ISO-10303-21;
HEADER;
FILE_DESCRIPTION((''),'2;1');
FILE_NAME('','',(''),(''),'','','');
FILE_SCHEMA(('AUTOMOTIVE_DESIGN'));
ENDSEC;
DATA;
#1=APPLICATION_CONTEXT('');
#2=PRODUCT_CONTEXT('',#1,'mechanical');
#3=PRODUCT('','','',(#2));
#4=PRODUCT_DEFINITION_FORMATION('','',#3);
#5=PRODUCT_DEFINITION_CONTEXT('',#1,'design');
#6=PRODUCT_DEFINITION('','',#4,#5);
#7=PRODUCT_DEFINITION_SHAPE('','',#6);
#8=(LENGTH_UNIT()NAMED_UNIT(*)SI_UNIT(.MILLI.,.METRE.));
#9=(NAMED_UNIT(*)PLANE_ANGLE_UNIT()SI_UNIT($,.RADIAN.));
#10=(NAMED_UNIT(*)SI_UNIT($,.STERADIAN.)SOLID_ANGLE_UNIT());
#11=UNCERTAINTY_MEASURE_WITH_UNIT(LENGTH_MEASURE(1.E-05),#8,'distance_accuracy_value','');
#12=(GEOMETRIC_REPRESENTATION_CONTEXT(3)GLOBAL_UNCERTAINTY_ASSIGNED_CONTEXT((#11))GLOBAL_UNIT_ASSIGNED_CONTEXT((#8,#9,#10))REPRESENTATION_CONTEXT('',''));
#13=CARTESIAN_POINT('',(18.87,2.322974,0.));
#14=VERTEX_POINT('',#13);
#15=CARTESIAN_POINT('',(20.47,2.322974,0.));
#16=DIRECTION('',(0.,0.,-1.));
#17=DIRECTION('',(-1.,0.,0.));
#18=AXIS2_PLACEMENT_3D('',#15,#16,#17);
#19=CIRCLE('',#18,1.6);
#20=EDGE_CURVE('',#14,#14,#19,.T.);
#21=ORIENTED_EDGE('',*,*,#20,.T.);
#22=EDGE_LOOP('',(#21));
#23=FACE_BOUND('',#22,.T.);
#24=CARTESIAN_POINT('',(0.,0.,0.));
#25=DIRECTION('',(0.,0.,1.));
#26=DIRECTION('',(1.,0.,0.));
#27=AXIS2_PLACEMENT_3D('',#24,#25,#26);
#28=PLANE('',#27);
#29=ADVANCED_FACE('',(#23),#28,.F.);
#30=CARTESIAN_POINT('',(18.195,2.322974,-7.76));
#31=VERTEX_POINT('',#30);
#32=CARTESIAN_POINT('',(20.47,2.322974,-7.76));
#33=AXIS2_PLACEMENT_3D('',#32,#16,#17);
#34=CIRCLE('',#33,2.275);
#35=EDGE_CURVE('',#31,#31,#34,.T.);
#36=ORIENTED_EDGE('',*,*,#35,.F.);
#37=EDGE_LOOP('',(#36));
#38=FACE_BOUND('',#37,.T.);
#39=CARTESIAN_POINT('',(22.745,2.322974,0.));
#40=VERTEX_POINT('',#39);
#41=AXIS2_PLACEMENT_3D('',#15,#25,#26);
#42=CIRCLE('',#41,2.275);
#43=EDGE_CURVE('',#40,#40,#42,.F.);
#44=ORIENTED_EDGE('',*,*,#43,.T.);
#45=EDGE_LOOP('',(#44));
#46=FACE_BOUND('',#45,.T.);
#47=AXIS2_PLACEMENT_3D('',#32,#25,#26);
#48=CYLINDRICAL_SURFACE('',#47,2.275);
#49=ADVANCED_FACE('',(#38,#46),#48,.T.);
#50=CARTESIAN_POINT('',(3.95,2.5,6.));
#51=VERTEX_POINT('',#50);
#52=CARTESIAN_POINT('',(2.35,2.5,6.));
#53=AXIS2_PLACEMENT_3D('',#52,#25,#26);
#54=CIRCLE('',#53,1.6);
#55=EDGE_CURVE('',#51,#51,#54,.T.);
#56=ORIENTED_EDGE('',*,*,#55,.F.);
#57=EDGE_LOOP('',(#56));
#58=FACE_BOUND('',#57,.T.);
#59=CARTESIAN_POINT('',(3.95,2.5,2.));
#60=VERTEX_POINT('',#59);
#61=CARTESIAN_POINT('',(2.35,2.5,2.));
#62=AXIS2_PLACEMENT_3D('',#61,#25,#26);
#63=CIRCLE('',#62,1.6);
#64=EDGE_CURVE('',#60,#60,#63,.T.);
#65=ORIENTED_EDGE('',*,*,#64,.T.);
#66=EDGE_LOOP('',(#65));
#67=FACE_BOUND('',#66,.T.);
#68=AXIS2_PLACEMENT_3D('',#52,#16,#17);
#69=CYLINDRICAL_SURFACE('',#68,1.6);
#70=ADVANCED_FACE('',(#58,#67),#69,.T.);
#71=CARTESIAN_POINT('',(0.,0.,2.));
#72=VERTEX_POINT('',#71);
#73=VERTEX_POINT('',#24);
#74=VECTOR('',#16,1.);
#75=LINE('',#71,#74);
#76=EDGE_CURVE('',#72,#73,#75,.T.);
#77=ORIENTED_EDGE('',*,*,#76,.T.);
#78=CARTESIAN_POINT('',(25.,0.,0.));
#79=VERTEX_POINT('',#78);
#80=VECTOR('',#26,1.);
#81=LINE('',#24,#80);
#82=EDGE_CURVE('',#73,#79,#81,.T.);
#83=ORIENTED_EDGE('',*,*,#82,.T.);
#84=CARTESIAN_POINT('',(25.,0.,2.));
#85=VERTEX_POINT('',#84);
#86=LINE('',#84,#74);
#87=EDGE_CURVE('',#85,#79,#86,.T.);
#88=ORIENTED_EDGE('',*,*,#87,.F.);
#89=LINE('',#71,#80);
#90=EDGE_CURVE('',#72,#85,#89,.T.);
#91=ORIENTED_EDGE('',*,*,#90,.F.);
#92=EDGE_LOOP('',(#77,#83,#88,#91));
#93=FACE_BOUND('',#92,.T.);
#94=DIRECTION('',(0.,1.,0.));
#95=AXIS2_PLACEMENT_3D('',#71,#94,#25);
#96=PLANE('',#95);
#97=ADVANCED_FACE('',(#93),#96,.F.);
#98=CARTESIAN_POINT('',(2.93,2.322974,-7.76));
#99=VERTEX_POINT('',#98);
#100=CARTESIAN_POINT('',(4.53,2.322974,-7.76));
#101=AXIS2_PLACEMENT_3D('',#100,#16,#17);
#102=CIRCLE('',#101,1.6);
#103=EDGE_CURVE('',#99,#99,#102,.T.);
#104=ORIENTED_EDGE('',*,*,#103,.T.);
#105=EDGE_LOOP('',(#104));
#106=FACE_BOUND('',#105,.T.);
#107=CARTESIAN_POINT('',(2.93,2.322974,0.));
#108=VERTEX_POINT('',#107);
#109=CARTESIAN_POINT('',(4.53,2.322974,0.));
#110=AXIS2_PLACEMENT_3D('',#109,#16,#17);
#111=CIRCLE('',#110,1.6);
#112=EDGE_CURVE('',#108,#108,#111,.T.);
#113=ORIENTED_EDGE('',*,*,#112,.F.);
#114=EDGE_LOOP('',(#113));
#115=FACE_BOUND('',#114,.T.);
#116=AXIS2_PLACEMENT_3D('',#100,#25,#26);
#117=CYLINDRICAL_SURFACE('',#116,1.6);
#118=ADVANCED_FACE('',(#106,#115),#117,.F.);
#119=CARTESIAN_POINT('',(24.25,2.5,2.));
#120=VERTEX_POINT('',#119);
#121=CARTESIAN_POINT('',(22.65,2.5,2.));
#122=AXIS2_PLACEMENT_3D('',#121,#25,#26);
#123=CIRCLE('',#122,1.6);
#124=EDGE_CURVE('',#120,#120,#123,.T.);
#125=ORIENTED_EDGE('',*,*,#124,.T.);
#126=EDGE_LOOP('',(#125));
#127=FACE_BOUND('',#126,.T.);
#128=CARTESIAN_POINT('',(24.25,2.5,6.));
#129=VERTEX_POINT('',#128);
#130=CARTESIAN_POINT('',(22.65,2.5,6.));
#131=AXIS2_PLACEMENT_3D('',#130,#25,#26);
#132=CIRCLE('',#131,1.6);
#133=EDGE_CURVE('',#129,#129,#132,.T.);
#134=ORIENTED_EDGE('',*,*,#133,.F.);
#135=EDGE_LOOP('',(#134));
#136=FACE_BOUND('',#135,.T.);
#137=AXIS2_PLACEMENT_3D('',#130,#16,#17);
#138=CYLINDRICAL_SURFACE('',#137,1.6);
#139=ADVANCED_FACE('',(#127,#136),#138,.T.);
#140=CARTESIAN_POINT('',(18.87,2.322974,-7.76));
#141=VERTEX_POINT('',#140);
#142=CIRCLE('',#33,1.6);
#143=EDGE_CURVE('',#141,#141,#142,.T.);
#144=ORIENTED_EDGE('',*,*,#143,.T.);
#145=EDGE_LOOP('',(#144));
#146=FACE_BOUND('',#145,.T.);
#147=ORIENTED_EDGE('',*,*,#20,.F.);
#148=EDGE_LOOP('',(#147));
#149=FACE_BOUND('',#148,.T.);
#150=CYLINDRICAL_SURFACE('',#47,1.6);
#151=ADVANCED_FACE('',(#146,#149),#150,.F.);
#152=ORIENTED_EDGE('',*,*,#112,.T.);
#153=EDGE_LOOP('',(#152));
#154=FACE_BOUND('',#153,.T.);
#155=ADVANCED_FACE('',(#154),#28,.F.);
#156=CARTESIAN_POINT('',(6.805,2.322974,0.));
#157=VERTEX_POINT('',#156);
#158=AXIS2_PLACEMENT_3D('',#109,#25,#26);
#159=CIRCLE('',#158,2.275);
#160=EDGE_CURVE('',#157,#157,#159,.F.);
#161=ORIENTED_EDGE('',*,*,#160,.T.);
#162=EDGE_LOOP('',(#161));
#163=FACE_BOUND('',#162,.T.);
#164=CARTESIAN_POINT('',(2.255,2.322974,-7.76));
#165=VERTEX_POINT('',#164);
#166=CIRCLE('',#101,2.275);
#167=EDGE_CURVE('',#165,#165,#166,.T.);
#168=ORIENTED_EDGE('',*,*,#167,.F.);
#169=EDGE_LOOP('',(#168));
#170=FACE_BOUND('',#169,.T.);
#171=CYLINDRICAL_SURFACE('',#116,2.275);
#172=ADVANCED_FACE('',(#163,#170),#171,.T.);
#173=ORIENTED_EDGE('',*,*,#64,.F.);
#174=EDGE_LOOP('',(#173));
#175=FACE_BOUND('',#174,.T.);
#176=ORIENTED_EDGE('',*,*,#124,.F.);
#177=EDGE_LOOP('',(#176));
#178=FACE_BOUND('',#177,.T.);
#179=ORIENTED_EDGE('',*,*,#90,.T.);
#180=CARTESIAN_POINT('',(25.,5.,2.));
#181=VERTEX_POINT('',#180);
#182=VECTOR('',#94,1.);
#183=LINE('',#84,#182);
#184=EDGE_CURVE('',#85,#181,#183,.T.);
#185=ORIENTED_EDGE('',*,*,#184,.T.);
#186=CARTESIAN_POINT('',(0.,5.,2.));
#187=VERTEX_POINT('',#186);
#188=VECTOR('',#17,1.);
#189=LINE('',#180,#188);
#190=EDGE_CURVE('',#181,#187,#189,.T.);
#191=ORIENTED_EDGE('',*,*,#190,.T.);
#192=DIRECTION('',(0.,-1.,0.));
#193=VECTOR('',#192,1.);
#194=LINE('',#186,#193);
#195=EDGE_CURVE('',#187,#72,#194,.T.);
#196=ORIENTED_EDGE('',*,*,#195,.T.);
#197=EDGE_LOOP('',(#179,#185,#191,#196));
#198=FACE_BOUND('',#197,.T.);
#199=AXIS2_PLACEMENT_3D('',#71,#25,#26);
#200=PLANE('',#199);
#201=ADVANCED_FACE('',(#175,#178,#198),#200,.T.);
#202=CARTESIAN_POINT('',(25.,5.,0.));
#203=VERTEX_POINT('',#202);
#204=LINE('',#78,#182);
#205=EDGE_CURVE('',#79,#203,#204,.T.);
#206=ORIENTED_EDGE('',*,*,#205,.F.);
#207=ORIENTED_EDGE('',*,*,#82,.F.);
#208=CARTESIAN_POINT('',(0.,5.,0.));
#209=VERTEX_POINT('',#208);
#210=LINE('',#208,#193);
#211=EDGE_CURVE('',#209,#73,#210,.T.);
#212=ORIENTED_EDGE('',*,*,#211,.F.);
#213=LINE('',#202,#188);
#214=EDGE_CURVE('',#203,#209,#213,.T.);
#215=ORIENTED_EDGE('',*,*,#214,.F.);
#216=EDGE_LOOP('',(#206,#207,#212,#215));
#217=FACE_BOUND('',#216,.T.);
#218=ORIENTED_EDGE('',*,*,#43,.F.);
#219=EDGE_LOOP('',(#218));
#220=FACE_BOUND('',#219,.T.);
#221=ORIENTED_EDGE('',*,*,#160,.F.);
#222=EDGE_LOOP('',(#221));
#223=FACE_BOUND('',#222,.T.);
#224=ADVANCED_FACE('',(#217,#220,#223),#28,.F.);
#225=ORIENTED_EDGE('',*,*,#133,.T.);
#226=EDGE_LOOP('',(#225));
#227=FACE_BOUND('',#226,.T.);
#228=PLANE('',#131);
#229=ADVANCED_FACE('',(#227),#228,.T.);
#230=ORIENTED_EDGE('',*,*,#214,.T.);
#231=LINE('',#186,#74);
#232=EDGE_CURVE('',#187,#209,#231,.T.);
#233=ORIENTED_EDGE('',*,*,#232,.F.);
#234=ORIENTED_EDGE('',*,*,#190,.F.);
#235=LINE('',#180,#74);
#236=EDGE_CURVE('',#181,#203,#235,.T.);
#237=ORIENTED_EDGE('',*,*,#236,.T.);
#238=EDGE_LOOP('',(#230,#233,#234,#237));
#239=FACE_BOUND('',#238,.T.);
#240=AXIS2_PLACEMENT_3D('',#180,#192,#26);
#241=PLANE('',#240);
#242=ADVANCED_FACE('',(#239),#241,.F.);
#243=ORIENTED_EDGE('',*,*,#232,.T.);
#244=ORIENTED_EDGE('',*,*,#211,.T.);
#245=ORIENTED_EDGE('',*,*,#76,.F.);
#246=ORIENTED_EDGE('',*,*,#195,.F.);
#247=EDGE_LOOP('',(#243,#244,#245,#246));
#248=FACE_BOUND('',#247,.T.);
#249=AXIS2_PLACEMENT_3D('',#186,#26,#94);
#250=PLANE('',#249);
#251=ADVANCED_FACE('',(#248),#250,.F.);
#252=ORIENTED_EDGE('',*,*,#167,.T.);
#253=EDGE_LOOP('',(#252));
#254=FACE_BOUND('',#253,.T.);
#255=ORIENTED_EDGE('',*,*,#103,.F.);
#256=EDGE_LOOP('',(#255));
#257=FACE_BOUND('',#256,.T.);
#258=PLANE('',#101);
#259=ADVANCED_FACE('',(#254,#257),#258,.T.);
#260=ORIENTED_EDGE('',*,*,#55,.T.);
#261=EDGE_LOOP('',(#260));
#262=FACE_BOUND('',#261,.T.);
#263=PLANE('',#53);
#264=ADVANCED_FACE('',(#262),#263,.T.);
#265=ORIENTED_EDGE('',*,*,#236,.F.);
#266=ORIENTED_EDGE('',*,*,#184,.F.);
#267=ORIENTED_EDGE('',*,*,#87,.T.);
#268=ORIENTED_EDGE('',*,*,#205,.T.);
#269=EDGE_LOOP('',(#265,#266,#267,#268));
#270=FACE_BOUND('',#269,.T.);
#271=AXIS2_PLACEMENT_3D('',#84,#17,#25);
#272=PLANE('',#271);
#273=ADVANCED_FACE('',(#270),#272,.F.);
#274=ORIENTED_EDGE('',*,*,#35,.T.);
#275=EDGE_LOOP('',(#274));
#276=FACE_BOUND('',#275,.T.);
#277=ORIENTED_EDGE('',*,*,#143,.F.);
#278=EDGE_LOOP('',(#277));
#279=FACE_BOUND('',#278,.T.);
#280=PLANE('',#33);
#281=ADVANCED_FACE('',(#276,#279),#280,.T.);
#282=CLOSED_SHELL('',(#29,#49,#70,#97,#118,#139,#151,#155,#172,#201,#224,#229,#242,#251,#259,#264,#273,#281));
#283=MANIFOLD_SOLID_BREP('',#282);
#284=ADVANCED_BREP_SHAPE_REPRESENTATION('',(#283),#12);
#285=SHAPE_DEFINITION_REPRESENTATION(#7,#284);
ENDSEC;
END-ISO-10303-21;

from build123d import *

# Parameters (mm, degrees)
SKETCH1_W           = 25
SKETCH1_H           = 5
BOSS_EXTRUDE1_DEPTH = 2
SKETCH2_R           = 1.6
BOSS_EXTRUDE2_DEPTH = 4
SKETCH3_R           = 2.275
SKETCH3_R_2         = 1.6
BOSS_EXTRUDE3_DEPTH = 7.76


with BuildPart() as part:
    # Sketch1 → Boss-Extrude1 (new body)
    with BuildSketch(Plane.XY):
        with Locations((12.5, 2.5)):
            Rectangle(SKETCH1_W, SKETCH1_H)
    extrude(amount=BOSS_EXTRUDE1_DEPTH)

    # Sketch2 → Boss-Extrude2 (add)
    with BuildSketch(Plane.XY.offset(2)):
        with Locations((2.35, 2.5)):
            Circle(SKETCH2_R)
        with Locations((22.65, 2.5)):
            Circle(SKETCH2_R)
    extrude(amount=BOSS_EXTRUDE2_DEPTH)

    # Sketch3 → Boss-Extrude3 (add)
    # profile 1 of 2: a face of its own
    with BuildSketch(Plane(origin=(0, 0, 0), x_dir=(-1, 0, 0), z_dir=(0, 0, -1))):
        with Locations(Location((-20.47, 2.322974485, 0), (0, 0, 180))):
            Circle(SKETCH3_R)
        with Locations((-20.47, 2.322974485)):
            Circle(SKETCH3_R_2, mode=Mode.SUBTRACT)
    # profile 2 of 2: a face of its own
    with BuildSketch(Plane(origin=(0, 0, 0), x_dir=(-1, 0, 0), z_dir=(0, 0, -1))):
        with Locations(Location((-4.53, 2.322974485, 0), (0, 0, 180))):
            Circle(SKETCH3_R)
        with Locations((-4.53, 2.322974485)):
            Circle(SKETCH3_R_2, mode=Mode.SUBTRACT)
    extrude(amount=BOSS_EXTRUDE3_DEPTH)


solid = part.part
